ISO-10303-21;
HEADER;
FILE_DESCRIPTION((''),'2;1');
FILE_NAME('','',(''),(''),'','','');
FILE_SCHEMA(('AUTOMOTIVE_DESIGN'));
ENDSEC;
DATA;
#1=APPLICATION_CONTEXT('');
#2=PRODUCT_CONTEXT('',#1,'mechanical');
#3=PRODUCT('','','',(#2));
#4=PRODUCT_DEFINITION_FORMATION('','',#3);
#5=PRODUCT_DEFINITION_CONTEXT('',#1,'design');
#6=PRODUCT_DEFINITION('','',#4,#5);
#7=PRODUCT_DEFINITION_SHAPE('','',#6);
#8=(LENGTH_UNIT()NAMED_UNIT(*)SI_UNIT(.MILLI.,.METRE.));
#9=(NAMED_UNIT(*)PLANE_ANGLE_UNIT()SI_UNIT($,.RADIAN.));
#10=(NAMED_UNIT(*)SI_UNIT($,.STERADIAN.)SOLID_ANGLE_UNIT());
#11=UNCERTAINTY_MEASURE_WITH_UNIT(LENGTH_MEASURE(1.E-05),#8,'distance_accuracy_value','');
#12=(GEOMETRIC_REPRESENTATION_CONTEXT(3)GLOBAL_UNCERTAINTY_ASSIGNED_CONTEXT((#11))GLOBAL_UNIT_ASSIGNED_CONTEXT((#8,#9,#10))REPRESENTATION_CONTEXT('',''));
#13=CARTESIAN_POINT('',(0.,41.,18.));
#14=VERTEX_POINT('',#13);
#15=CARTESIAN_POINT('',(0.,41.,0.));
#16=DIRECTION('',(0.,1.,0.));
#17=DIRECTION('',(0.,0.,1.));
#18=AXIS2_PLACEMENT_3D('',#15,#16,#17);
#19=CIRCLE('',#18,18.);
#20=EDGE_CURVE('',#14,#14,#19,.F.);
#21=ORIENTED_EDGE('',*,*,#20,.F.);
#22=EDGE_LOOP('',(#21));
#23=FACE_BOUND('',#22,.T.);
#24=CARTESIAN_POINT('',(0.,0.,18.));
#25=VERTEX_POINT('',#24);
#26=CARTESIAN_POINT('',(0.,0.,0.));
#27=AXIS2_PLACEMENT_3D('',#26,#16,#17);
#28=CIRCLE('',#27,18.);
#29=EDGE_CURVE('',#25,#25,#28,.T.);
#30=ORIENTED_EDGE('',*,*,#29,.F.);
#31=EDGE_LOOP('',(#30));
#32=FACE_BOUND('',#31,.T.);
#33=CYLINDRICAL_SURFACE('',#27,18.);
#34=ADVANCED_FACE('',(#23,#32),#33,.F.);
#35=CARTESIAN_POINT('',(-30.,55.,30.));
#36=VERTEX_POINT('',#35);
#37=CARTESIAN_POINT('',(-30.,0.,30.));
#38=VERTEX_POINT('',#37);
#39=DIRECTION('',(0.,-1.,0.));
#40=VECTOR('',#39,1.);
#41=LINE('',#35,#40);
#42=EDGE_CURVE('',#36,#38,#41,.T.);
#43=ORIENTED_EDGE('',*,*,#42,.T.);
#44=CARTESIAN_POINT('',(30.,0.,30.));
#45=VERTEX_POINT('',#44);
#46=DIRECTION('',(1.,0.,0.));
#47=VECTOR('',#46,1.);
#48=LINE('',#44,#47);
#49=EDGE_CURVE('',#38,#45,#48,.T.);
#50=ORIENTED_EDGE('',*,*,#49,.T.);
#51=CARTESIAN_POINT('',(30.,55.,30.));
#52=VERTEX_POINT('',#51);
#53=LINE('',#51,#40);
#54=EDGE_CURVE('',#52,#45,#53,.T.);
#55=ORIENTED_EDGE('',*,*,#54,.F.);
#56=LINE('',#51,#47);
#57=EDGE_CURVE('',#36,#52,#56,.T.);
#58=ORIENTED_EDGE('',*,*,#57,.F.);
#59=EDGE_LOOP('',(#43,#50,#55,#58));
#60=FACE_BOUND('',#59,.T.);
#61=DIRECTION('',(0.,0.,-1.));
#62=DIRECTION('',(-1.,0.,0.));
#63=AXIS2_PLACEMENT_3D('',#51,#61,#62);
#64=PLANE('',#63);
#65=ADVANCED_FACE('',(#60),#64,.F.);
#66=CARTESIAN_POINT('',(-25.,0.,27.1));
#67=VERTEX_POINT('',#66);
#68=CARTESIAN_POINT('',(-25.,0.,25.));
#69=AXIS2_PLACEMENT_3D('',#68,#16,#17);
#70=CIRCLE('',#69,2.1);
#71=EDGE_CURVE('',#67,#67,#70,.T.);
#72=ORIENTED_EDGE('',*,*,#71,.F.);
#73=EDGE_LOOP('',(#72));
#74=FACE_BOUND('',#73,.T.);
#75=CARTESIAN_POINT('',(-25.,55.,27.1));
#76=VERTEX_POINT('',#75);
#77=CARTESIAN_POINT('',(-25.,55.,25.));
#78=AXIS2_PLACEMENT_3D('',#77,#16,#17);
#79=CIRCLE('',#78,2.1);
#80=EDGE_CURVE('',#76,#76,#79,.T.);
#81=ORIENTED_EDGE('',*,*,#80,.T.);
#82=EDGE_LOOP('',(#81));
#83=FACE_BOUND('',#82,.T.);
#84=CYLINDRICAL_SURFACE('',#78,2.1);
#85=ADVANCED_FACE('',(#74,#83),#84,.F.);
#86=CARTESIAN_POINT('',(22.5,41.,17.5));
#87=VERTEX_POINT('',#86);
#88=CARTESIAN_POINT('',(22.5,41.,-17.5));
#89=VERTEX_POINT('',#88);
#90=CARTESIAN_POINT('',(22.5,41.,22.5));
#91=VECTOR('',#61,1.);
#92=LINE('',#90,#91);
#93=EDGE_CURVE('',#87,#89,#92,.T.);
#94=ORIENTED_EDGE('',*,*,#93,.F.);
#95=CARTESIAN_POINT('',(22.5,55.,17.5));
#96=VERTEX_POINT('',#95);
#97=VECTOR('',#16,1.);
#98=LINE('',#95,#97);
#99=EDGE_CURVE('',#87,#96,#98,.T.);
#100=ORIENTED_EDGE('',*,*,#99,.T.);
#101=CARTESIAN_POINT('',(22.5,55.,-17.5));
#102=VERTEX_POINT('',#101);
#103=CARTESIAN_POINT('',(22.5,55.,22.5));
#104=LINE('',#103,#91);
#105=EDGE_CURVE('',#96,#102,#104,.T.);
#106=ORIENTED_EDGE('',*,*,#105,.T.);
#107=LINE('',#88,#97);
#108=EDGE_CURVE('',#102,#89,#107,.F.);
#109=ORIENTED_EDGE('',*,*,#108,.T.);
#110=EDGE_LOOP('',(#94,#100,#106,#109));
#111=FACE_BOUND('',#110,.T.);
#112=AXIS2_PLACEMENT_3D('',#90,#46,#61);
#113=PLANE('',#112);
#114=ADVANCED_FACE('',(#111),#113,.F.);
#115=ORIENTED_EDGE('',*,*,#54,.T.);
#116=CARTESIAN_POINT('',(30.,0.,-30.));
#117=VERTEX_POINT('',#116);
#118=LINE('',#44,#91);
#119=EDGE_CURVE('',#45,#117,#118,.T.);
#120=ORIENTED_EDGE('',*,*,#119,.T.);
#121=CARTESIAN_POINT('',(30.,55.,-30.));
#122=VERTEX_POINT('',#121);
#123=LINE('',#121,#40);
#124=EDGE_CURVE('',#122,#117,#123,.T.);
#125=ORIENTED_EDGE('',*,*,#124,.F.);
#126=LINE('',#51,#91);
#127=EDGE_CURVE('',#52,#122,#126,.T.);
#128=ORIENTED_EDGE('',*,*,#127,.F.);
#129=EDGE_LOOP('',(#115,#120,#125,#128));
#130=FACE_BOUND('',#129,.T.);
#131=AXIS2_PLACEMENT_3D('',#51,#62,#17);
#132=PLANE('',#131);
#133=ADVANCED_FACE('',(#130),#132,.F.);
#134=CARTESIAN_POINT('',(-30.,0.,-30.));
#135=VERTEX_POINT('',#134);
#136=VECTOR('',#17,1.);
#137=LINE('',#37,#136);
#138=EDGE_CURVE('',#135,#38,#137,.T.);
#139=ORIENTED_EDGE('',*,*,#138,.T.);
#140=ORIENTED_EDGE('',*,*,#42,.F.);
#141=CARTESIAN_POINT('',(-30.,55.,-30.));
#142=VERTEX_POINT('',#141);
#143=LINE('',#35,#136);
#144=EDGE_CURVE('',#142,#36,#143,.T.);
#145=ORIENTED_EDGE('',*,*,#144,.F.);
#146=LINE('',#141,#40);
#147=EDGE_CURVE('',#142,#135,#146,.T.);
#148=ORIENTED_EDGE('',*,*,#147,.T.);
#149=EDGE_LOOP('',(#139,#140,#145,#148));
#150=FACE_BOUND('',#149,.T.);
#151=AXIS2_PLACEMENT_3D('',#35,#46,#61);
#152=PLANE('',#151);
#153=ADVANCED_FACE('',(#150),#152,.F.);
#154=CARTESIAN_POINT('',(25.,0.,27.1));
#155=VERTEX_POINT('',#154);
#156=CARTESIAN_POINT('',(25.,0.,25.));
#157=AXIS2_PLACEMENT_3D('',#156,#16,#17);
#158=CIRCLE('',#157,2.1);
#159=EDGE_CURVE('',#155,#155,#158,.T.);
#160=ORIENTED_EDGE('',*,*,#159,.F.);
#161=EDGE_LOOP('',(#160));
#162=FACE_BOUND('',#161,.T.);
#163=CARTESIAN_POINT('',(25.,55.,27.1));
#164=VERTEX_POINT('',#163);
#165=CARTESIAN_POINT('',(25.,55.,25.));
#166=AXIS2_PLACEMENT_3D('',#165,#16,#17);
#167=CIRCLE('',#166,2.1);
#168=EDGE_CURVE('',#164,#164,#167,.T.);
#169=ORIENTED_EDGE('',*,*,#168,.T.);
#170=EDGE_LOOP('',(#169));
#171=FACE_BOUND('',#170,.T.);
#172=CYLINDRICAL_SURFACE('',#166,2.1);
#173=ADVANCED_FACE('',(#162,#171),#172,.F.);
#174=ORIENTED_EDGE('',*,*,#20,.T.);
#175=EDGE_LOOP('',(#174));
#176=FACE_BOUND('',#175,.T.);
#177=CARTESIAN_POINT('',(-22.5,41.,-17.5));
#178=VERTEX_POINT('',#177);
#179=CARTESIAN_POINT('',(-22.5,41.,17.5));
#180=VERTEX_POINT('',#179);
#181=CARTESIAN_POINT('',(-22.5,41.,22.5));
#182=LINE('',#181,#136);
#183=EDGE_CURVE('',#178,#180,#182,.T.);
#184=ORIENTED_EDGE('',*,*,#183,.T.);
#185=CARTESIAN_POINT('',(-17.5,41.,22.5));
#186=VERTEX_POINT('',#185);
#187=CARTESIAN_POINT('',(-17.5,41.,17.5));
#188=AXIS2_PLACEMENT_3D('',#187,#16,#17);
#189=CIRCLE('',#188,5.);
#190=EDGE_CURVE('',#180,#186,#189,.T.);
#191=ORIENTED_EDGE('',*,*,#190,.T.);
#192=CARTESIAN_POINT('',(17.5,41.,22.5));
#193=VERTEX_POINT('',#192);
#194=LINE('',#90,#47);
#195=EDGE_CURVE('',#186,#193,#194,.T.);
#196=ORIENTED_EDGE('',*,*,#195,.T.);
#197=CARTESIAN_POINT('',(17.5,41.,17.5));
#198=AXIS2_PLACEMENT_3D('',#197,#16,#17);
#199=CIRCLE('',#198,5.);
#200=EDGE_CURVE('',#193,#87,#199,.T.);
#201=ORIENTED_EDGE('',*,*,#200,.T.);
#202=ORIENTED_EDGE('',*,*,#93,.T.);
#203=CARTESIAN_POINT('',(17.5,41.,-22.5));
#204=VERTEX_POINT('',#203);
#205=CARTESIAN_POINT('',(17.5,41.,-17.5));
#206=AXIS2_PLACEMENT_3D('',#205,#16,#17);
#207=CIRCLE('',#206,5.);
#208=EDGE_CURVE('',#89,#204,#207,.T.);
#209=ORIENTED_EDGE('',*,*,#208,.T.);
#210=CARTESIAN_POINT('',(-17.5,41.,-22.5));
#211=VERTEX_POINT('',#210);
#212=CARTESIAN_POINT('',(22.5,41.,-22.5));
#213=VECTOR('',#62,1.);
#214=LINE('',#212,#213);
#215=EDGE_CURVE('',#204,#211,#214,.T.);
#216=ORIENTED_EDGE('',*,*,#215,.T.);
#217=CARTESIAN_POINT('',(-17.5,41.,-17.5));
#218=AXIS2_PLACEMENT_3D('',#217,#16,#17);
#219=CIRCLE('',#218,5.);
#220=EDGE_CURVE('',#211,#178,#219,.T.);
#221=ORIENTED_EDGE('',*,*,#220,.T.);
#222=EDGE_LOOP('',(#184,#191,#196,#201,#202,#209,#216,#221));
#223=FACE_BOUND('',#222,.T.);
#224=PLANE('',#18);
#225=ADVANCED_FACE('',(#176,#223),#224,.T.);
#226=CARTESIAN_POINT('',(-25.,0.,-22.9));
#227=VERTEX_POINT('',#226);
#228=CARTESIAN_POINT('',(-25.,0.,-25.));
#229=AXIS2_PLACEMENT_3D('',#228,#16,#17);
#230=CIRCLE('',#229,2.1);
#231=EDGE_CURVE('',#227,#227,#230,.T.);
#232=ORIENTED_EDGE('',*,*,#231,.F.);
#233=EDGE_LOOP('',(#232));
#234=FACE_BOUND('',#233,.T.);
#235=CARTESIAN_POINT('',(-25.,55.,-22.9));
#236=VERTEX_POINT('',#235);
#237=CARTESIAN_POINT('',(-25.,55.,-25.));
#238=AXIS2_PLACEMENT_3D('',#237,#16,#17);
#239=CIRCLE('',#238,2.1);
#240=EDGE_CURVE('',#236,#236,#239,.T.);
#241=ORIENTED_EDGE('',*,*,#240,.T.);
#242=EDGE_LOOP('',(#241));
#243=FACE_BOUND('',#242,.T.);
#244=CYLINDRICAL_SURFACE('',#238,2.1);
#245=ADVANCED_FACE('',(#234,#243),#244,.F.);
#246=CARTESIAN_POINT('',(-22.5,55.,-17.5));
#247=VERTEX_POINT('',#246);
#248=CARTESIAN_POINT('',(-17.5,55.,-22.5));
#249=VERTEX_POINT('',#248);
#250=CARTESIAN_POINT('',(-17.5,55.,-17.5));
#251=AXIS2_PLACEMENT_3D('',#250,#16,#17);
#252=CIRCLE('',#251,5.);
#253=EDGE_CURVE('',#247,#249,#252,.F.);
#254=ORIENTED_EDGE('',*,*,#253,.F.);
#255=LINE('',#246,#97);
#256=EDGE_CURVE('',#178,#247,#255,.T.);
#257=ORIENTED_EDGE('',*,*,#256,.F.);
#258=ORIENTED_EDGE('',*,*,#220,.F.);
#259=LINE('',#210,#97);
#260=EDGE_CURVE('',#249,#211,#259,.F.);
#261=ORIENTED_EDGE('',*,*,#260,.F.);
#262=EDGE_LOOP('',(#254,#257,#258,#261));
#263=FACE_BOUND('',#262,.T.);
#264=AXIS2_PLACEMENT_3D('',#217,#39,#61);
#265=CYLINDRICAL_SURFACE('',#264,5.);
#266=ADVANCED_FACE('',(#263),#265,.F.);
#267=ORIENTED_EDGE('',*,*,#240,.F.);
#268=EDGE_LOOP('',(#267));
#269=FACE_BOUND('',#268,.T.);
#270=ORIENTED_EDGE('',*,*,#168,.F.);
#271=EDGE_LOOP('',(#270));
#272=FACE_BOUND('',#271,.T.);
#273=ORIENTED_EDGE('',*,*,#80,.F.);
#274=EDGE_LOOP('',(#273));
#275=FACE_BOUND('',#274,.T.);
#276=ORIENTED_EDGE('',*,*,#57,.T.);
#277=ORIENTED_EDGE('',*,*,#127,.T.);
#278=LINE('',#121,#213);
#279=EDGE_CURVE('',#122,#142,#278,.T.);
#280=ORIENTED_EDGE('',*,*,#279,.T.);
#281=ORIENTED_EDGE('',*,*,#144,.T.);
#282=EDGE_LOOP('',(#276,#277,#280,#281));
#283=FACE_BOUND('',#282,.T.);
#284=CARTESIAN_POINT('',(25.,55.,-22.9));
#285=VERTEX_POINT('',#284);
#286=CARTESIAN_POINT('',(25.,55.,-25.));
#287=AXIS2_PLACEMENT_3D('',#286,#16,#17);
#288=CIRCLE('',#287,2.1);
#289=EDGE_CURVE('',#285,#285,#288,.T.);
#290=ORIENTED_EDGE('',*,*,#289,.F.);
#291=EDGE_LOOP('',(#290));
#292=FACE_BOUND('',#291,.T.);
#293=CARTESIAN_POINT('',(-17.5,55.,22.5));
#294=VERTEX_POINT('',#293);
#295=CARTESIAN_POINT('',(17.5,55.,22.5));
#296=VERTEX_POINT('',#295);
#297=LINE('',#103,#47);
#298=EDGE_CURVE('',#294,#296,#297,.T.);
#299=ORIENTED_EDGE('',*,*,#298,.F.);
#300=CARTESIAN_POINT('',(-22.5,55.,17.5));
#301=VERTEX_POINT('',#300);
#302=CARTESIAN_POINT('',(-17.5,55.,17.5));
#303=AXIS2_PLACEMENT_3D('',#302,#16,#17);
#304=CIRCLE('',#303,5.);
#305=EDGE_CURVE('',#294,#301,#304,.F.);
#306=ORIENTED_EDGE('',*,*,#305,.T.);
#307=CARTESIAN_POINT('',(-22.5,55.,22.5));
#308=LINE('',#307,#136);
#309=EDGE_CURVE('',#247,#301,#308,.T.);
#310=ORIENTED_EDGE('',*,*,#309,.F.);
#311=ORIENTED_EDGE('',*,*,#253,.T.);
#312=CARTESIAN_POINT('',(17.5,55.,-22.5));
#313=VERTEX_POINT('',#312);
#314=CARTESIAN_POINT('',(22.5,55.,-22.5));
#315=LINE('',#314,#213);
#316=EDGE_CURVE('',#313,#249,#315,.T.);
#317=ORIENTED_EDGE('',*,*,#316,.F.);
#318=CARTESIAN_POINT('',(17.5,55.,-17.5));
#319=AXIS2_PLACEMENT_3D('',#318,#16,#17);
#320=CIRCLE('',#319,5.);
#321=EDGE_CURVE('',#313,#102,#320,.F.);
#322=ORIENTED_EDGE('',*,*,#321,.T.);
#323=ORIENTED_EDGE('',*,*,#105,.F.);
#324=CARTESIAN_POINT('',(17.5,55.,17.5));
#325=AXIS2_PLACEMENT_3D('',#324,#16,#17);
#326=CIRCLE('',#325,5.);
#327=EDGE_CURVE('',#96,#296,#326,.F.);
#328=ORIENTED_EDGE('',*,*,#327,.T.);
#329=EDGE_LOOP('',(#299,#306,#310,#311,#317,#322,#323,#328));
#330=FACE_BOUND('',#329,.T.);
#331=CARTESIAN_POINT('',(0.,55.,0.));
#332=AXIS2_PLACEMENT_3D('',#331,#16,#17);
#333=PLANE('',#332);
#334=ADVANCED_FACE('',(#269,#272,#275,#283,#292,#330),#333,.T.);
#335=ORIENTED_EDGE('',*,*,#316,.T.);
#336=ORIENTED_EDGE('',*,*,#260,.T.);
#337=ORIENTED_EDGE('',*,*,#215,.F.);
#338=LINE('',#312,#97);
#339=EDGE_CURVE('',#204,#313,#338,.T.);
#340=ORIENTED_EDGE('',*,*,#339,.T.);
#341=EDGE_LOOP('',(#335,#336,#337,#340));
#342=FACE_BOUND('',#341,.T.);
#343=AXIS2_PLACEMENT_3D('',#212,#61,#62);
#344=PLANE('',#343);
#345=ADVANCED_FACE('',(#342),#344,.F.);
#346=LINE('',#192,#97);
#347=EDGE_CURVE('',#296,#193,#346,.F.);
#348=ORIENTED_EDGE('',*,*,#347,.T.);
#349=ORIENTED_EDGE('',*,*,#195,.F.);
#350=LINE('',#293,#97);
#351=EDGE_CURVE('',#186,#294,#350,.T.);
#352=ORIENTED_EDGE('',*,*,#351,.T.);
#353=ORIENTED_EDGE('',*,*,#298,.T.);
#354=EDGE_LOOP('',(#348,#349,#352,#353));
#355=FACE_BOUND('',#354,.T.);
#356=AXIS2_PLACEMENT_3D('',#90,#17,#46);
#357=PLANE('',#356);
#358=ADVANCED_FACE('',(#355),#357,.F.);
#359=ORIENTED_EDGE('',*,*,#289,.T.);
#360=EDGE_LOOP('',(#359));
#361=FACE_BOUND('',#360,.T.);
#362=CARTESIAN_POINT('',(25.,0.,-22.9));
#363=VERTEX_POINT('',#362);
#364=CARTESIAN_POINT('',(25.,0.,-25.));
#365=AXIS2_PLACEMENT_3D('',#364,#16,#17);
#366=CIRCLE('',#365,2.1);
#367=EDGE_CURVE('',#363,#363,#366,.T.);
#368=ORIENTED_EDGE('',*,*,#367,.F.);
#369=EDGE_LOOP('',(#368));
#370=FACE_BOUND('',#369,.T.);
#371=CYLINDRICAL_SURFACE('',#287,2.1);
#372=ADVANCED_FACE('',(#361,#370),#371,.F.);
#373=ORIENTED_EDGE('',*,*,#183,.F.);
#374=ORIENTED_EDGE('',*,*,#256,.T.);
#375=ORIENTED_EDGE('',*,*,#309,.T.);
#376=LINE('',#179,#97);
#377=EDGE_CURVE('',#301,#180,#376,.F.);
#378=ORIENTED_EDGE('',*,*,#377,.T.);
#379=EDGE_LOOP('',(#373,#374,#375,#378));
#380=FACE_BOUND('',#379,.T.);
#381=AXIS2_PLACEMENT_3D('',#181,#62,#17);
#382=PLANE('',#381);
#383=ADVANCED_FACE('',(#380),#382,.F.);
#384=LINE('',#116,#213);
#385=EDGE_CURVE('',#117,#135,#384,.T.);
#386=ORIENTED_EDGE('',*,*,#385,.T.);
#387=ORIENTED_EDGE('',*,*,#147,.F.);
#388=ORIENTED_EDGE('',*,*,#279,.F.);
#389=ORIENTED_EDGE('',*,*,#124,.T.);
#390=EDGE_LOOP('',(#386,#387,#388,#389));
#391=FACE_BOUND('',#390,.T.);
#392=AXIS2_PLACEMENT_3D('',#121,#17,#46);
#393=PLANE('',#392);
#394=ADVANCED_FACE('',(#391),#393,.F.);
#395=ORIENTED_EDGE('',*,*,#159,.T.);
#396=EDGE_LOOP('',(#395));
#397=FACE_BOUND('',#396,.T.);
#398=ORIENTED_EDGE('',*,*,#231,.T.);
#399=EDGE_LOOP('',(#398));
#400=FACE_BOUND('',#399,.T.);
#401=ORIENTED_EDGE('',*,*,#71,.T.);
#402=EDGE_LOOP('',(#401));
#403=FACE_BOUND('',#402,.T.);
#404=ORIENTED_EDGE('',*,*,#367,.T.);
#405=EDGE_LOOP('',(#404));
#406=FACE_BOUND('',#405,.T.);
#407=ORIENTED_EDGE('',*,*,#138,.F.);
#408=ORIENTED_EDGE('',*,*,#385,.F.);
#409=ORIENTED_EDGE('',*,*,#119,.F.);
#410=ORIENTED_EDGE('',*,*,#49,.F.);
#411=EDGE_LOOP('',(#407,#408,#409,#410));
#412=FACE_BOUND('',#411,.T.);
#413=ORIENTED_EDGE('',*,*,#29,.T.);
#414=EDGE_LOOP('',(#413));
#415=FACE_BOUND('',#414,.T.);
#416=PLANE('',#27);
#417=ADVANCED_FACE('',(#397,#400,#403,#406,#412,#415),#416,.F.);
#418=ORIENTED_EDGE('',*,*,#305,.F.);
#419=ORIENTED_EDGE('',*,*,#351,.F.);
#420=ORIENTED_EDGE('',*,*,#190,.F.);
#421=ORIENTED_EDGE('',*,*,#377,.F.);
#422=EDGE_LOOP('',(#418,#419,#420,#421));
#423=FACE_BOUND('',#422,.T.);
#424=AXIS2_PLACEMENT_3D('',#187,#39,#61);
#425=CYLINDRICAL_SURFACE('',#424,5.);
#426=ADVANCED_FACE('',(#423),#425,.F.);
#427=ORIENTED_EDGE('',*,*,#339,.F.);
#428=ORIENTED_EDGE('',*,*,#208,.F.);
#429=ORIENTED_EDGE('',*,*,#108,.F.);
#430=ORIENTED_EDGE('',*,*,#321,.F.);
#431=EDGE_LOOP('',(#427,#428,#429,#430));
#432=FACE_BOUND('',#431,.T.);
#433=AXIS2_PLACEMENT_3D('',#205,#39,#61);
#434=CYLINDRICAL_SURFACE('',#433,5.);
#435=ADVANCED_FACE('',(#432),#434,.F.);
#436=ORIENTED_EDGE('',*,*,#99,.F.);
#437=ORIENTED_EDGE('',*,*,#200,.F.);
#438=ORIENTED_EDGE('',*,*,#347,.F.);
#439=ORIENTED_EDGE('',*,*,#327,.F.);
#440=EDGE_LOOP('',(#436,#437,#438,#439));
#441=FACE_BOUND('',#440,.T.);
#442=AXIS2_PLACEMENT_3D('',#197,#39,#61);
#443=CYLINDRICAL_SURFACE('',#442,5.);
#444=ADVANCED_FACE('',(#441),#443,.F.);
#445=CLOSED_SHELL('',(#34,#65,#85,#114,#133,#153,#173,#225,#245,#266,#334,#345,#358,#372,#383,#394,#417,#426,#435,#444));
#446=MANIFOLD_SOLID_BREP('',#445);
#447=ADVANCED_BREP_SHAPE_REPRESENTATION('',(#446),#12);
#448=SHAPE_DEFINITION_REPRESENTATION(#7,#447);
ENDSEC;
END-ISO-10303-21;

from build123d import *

# Parameters (mm, degrees)
SKETCH1_W           = 60
SKETCH1_H           = 60
BOSS_EXTRUDE1_DEPTH = 55
SKETCH2_R           = 18
CUT_EXTRUDE1_DEPTH  = 70.462219947
M5_TAPPED_HOLE1_D   = 4.2
SKETCH5_W           = 45
SKETCH5_H           = 45
CUT_EXTRUDE2_DEPTH  = 14
FILLET1_R           = 5


with BuildPart() as part:
    # Sketch1 → Boss-Extrude1 (new body)
    with BuildSketch(Plane(origin=(0, 0, 0), x_dir=(1, 0, 0), z_dir=(0, 1, 0))):
        Rectangle(SKETCH1_W, SKETCH1_H)
    extrude(amount=BOSS_EXTRUDE1_DEPTH)

    # Sketch2 → Cut-Extrude1 (cut, through all)
    with BuildSketch(Plane(origin=(0, 55, 0), x_dir=(1, 0, 0), z_dir=(0, 1, 0))):
        with Locations(Location((0, 0, 0), (0, 0, 270))):
            Circle(SKETCH2_R)
    extrude(amount=-CUT_EXTRUDE1_DEPTH, mode=Mode.SUBTRACT)

    # M5 Tapped Hole1 (through all)
    with Locations(Plane(origin=(0, 55, 0), x_dir=(1, 0, 0), z_dir=(0, 1, 0))):
        with Locations((-25, -25), (-25, 25), (25, 25), (25, -25), (0, 0)):
            Hole(M5_TAPPED_HOLE1_D / 2)

    # Sketch5 → Cut-Extrude2 (cut)
    with BuildSketch(Plane(origin=(0, 55, 0), x_dir=(1, 0, 0), z_dir=(0, 1, 0))):
        Rectangle(SKETCH5_W, SKETCH5_H)
    extrude(amount=-CUT_EXTRUDE2_DEPTH, mode=Mode.SUBTRACT)

    # Fillet1
    fillet1_edges = [part.edges().sort_by_distance(p)[0] for p in [
        (-22.5, 48, 22.5),
        (-22.5, 48, -22.5),
        (22.5, 48, -22.5),
        (22.5, 48, 22.5),
    ]]
    fillet(fillet1_edges, radius=FILLET1_R)


solid = part.part
